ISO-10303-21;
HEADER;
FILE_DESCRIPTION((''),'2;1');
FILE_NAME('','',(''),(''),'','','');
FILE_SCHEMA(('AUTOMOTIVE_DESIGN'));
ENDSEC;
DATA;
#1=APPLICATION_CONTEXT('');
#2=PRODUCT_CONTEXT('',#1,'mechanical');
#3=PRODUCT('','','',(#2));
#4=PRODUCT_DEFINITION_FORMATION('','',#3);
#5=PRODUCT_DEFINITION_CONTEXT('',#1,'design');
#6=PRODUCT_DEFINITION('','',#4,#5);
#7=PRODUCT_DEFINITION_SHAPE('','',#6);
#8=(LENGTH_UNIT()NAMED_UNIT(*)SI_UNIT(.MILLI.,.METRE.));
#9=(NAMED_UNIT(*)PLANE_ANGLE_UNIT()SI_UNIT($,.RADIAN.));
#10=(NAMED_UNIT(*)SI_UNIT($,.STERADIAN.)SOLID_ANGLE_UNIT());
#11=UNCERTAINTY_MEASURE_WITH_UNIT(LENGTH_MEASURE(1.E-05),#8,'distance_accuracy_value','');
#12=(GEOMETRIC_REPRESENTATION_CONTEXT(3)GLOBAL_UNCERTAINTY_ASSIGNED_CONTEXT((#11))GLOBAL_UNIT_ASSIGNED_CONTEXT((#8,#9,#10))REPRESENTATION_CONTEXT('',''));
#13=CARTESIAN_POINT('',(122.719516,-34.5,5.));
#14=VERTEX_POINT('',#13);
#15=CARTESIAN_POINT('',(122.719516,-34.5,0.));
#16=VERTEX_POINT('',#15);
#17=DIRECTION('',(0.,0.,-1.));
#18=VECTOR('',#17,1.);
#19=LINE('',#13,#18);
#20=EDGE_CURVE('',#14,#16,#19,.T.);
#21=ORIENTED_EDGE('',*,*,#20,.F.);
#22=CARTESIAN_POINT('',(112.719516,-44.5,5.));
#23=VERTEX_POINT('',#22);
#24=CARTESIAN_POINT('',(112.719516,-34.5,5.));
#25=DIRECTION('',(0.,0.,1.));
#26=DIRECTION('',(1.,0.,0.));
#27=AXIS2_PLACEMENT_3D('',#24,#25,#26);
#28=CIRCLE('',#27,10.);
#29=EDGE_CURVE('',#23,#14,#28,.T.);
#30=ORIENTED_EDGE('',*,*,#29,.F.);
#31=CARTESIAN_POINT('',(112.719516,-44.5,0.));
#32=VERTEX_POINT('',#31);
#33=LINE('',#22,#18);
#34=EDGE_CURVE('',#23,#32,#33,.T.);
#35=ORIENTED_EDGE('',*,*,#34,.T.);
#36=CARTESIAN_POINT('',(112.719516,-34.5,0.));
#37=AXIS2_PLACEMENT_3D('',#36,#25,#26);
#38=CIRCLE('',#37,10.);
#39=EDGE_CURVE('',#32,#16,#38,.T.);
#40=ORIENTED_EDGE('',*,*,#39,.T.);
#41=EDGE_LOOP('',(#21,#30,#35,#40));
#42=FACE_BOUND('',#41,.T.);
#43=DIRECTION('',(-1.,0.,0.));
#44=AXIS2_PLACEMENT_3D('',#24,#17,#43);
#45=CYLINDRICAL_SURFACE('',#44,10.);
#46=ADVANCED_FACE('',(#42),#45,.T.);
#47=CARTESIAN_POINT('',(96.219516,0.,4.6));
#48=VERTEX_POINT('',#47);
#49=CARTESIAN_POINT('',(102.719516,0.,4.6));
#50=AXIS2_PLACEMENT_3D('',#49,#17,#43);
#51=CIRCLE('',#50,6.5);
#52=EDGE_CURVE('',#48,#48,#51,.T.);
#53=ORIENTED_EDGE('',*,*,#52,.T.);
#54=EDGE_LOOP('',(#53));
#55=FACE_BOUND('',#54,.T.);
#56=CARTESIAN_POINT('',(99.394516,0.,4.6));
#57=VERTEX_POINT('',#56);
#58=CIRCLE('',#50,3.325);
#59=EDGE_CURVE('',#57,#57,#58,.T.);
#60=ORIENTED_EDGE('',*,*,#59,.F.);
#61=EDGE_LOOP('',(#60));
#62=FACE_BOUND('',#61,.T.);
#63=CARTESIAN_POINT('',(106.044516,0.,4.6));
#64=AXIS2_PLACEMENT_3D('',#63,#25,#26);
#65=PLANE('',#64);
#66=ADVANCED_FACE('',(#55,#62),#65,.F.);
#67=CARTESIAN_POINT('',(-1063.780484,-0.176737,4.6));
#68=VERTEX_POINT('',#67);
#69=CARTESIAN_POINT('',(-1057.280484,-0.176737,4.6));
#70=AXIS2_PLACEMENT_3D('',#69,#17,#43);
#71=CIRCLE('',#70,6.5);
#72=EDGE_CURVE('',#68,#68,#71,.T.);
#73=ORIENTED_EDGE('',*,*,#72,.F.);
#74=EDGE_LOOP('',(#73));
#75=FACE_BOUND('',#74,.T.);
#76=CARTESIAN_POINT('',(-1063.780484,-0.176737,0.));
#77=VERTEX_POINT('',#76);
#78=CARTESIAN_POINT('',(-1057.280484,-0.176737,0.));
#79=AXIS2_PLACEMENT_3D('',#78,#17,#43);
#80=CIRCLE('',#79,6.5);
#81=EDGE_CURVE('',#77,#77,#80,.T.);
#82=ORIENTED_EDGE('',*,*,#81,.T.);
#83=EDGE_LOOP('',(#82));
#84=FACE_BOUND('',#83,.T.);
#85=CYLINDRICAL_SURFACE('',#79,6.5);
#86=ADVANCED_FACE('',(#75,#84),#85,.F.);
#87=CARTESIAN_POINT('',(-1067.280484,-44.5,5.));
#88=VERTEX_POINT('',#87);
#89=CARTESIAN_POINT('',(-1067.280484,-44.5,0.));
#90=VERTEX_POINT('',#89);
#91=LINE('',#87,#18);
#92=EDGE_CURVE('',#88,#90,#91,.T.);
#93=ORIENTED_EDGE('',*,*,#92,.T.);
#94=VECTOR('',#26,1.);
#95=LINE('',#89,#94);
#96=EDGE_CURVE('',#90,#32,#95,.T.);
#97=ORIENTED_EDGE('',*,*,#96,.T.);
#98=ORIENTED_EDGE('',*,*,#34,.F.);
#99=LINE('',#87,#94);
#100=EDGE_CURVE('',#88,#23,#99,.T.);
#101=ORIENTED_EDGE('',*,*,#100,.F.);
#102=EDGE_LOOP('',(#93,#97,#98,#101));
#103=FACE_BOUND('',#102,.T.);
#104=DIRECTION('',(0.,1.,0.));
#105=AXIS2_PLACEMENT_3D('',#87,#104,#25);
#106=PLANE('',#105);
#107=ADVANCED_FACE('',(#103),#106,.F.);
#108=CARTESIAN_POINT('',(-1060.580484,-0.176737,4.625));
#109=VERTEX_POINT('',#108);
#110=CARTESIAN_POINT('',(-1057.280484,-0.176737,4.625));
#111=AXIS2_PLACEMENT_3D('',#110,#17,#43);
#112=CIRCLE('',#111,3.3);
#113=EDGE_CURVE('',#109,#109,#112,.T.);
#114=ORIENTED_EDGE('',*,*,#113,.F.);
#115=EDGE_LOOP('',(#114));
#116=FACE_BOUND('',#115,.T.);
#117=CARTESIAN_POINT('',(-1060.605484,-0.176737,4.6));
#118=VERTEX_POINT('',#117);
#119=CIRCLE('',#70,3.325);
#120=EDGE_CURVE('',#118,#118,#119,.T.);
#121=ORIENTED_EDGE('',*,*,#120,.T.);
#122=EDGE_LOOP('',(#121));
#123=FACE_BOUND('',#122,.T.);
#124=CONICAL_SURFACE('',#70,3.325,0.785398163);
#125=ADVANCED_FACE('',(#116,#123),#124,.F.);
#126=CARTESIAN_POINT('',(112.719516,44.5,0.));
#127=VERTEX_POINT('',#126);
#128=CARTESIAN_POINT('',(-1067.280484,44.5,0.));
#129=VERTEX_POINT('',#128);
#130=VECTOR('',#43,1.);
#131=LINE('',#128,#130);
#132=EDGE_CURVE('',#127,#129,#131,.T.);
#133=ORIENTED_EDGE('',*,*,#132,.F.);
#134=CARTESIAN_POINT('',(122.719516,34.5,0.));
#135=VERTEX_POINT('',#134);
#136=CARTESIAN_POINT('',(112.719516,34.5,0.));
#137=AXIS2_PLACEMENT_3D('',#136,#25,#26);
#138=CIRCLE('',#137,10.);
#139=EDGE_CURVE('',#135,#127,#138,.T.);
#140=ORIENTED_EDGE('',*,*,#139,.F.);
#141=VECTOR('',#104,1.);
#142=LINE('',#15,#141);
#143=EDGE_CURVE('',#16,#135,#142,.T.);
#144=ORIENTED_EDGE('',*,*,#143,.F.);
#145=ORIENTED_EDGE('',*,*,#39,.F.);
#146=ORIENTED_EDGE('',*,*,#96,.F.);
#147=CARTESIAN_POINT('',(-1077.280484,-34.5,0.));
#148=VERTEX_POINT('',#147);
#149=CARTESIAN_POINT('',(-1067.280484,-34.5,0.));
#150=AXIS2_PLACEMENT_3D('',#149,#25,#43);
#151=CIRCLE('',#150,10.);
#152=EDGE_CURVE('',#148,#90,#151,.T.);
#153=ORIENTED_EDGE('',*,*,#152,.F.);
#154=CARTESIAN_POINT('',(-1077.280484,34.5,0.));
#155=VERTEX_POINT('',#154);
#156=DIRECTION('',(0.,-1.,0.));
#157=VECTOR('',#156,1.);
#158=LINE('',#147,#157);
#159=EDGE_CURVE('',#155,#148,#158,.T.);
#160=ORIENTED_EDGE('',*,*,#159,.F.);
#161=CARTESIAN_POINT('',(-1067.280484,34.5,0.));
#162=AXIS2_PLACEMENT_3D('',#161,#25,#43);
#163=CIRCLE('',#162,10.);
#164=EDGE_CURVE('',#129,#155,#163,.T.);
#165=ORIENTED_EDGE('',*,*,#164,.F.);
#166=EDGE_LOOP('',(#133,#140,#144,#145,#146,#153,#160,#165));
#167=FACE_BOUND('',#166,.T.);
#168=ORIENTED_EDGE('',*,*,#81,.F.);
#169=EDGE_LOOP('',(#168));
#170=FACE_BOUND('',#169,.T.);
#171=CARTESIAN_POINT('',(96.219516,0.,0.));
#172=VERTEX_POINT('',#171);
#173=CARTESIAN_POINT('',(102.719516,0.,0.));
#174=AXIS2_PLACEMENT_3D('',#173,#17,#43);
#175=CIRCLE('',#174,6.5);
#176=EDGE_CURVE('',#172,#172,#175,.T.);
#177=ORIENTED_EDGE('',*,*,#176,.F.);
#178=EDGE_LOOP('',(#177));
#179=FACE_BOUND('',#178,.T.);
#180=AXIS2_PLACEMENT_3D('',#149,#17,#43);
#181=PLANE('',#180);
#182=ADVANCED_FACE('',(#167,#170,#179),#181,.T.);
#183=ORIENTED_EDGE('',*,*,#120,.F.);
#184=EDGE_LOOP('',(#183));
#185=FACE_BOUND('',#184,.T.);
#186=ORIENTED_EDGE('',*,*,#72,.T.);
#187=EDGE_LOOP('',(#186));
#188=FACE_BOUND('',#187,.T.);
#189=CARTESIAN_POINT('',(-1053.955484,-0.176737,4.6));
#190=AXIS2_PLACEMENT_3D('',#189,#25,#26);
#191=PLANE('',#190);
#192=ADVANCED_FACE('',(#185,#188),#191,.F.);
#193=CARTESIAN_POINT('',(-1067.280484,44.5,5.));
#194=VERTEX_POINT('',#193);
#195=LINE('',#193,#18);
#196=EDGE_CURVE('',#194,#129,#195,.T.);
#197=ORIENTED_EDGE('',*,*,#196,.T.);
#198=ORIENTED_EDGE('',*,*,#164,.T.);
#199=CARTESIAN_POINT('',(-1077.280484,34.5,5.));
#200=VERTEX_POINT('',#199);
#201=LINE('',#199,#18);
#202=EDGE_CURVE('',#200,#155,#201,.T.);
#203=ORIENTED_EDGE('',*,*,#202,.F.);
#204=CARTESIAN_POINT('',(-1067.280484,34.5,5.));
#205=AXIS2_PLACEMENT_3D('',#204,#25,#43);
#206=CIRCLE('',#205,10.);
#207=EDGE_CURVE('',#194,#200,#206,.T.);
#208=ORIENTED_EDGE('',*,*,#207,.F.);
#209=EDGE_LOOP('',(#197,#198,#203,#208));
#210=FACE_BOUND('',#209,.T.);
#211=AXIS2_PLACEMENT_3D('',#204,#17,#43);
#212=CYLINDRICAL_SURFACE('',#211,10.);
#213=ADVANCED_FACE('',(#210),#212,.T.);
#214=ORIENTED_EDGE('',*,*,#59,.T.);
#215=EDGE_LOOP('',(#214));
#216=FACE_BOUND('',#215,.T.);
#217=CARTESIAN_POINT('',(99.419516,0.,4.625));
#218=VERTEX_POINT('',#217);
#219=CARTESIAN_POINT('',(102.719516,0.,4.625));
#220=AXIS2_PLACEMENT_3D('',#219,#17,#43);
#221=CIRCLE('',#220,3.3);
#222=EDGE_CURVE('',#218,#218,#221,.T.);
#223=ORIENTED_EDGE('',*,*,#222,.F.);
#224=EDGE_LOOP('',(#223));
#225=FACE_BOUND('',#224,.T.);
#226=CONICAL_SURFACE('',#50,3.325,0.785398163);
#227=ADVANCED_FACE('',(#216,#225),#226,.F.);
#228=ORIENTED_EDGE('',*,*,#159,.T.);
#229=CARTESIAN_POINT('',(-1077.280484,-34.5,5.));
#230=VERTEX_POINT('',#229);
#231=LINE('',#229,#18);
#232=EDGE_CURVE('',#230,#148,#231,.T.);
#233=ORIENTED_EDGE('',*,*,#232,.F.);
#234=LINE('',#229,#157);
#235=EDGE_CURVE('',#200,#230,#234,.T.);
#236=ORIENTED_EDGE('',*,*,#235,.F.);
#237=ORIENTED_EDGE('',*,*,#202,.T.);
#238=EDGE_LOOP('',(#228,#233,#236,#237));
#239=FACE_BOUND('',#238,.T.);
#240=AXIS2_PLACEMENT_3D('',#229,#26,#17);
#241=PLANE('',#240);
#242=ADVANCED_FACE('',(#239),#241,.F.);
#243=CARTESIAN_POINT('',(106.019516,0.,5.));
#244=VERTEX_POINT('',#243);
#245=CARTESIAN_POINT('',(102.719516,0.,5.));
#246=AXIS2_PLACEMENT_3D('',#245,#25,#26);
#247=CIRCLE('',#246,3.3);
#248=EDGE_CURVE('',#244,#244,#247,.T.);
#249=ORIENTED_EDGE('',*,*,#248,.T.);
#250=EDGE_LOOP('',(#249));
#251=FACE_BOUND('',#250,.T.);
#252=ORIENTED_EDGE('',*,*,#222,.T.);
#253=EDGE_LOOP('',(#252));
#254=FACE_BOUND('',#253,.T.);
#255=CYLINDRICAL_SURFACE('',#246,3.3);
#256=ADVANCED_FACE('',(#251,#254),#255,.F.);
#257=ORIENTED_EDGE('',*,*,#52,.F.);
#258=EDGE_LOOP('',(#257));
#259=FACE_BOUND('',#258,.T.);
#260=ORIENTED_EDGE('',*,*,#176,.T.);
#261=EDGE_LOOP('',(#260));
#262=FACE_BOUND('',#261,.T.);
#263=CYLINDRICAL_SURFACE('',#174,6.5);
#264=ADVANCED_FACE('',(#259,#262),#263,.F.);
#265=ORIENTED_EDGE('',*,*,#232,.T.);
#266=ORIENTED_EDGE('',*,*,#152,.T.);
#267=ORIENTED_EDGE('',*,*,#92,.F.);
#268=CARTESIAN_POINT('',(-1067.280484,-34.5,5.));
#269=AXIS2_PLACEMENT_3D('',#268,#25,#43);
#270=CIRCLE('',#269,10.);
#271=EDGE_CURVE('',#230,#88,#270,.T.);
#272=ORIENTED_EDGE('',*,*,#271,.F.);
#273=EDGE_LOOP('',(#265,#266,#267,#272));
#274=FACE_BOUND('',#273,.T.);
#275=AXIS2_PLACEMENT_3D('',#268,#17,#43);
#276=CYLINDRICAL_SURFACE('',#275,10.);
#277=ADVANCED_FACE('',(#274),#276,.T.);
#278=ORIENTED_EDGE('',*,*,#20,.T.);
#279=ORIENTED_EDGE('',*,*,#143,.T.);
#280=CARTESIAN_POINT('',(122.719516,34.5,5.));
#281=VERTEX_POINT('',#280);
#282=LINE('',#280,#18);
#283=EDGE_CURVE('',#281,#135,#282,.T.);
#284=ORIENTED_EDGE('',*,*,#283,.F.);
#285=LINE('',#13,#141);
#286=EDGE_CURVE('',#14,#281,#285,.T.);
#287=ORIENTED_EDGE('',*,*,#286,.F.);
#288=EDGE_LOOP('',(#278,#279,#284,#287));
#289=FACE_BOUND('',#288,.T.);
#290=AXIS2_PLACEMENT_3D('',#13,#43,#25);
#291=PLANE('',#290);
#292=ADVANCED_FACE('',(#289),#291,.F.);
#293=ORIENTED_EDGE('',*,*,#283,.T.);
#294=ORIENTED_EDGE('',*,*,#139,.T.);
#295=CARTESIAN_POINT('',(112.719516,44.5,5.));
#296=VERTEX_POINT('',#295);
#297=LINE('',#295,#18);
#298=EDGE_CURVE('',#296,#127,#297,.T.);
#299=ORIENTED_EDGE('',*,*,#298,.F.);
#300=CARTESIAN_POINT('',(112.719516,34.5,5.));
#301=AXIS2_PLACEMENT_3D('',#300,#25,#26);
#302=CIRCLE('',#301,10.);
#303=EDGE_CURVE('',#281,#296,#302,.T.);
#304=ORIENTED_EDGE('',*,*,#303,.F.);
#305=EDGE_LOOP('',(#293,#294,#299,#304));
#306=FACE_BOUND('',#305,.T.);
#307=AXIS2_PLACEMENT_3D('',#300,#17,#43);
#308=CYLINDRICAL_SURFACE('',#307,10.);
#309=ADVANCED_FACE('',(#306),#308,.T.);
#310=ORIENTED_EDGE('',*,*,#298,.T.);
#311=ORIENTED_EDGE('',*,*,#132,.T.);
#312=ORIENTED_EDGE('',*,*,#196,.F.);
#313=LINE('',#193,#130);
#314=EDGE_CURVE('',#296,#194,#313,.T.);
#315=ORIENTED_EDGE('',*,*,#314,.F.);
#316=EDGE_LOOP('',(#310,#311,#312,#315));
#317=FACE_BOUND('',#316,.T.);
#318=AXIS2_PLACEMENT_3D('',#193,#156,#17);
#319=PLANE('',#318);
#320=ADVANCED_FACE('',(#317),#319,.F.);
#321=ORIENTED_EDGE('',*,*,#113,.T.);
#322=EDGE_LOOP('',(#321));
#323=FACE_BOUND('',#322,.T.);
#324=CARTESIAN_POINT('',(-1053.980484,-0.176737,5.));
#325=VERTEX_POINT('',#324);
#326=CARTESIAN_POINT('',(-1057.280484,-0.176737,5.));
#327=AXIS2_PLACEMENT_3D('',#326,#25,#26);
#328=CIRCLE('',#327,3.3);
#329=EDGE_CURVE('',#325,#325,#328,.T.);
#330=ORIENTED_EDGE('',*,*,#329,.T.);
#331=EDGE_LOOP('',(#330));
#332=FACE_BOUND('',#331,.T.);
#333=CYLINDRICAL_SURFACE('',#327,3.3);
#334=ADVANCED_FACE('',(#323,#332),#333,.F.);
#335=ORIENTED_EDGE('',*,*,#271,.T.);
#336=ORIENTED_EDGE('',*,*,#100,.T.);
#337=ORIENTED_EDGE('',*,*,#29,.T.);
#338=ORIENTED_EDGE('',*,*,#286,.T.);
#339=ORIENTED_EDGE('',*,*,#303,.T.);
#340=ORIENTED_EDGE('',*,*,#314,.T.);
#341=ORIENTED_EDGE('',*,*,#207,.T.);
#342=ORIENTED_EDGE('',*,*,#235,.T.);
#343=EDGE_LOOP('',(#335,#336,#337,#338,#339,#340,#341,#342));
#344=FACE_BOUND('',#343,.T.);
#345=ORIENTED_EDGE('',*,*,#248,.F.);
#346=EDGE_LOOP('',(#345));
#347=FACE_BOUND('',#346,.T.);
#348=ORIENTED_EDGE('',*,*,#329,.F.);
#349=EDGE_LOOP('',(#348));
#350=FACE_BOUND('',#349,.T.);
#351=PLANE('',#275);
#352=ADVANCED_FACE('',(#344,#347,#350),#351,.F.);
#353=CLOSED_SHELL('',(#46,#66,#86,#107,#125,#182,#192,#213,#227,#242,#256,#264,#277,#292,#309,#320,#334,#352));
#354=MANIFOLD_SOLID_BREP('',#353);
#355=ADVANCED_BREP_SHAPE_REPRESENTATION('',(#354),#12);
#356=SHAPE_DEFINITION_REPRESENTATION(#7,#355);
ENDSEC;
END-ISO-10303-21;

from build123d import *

# Parameters (mm, degrees)
BOSS_EXTRU_1_DEPTH                         = 5
D_GAGEMENT_M61_D                           = 6.6
CHAMBRAGE_POUR_VIS_T_TE_RONDE_BOMB_2_COUNT = 2
CHAMBRAGE_POUR_VIS_T_TE_RONDE_BOMB_2_PITCH = 1160.000013464


with BuildPart() as part:
    # Esquisse1 → Boss.-Extru.1 (new body)
    with BuildSketch(Plane.XY):
        with BuildLine():
            Line((-1067.280483871, -44.5), (112.719516129, -44.5))
            ThreePointArc((112.719516129, -44.5), (119.790583941, -41.571067812), (122.719516129, -34.5))
            Line((122.719516129, -34.5), (122.719516129, 34.5))
            ThreePointArc((122.719516129, 34.5), (119.790583941, 41.571067812), (112.719516129, 44.5))
            Line((112.719516129, 44.5), (-1067.280483871, 44.5))
            ThreePointArc((-1067.280483871, 44.5), (-1074.351551683, 41.571067812), (-1077.280483871, 34.5))
            Line((-1077.280483871, 34.5), (-1077.280483871, -34.5))
            ThreePointArc((-1077.280483871, -34.5), (-1074.351551683, -41.571067812), (-1067.280483871, -44.5))
        make_face()
    extrude(amount=BOSS_EXTRU_1_DEPTH)

    # Dégagement M61 (through all)
    with Locations(Plane.XY.offset(5)):
        with Locations((-1057.280483871, -0.176736788), (102.719516129, 0)):
            Hole(D_GAGEMENT_M61_D / 2)

    # Esquisse4 → Chambrage pour vis à tête ronde bombée M61 (revolve, cut)
    with BuildSketch(Plane.YZ.offset(102.719516129)):
        Polygon((0, 0), (0, 5), (3.3, 5), (3.3, 4.625), (3.325, 4.6), (6.5, 4.6), (6.5, 0), align=None)
    chambrage_pour_vis_t_te_ronde_bomb_e_m = revolve(axis=Axis((102.719516129, 0, -6.35), (0, 0, 1)), mode=Mode.SUBTRACT)

    # Chambrage pour vis _ t_te ronde bomb 2: Chambrage pour vis à tête ronde bombée M61 ×2
    with Locations(*[Vector(-0.999999988393322, -0.00015235929857570504, 0) * (i * CHAMBRAGE_POUR_VIS_T_TE_RONDE_BOMB_2_PITCH) for i in range(1, CHAMBRAGE_POUR_VIS_T_TE_RONDE_BOMB_2_COUNT)]):
        add(chambrage_pour_vis_t_te_ronde_bomb_e_m, mode=Mode.SUBTRACT)


solid = part.part
